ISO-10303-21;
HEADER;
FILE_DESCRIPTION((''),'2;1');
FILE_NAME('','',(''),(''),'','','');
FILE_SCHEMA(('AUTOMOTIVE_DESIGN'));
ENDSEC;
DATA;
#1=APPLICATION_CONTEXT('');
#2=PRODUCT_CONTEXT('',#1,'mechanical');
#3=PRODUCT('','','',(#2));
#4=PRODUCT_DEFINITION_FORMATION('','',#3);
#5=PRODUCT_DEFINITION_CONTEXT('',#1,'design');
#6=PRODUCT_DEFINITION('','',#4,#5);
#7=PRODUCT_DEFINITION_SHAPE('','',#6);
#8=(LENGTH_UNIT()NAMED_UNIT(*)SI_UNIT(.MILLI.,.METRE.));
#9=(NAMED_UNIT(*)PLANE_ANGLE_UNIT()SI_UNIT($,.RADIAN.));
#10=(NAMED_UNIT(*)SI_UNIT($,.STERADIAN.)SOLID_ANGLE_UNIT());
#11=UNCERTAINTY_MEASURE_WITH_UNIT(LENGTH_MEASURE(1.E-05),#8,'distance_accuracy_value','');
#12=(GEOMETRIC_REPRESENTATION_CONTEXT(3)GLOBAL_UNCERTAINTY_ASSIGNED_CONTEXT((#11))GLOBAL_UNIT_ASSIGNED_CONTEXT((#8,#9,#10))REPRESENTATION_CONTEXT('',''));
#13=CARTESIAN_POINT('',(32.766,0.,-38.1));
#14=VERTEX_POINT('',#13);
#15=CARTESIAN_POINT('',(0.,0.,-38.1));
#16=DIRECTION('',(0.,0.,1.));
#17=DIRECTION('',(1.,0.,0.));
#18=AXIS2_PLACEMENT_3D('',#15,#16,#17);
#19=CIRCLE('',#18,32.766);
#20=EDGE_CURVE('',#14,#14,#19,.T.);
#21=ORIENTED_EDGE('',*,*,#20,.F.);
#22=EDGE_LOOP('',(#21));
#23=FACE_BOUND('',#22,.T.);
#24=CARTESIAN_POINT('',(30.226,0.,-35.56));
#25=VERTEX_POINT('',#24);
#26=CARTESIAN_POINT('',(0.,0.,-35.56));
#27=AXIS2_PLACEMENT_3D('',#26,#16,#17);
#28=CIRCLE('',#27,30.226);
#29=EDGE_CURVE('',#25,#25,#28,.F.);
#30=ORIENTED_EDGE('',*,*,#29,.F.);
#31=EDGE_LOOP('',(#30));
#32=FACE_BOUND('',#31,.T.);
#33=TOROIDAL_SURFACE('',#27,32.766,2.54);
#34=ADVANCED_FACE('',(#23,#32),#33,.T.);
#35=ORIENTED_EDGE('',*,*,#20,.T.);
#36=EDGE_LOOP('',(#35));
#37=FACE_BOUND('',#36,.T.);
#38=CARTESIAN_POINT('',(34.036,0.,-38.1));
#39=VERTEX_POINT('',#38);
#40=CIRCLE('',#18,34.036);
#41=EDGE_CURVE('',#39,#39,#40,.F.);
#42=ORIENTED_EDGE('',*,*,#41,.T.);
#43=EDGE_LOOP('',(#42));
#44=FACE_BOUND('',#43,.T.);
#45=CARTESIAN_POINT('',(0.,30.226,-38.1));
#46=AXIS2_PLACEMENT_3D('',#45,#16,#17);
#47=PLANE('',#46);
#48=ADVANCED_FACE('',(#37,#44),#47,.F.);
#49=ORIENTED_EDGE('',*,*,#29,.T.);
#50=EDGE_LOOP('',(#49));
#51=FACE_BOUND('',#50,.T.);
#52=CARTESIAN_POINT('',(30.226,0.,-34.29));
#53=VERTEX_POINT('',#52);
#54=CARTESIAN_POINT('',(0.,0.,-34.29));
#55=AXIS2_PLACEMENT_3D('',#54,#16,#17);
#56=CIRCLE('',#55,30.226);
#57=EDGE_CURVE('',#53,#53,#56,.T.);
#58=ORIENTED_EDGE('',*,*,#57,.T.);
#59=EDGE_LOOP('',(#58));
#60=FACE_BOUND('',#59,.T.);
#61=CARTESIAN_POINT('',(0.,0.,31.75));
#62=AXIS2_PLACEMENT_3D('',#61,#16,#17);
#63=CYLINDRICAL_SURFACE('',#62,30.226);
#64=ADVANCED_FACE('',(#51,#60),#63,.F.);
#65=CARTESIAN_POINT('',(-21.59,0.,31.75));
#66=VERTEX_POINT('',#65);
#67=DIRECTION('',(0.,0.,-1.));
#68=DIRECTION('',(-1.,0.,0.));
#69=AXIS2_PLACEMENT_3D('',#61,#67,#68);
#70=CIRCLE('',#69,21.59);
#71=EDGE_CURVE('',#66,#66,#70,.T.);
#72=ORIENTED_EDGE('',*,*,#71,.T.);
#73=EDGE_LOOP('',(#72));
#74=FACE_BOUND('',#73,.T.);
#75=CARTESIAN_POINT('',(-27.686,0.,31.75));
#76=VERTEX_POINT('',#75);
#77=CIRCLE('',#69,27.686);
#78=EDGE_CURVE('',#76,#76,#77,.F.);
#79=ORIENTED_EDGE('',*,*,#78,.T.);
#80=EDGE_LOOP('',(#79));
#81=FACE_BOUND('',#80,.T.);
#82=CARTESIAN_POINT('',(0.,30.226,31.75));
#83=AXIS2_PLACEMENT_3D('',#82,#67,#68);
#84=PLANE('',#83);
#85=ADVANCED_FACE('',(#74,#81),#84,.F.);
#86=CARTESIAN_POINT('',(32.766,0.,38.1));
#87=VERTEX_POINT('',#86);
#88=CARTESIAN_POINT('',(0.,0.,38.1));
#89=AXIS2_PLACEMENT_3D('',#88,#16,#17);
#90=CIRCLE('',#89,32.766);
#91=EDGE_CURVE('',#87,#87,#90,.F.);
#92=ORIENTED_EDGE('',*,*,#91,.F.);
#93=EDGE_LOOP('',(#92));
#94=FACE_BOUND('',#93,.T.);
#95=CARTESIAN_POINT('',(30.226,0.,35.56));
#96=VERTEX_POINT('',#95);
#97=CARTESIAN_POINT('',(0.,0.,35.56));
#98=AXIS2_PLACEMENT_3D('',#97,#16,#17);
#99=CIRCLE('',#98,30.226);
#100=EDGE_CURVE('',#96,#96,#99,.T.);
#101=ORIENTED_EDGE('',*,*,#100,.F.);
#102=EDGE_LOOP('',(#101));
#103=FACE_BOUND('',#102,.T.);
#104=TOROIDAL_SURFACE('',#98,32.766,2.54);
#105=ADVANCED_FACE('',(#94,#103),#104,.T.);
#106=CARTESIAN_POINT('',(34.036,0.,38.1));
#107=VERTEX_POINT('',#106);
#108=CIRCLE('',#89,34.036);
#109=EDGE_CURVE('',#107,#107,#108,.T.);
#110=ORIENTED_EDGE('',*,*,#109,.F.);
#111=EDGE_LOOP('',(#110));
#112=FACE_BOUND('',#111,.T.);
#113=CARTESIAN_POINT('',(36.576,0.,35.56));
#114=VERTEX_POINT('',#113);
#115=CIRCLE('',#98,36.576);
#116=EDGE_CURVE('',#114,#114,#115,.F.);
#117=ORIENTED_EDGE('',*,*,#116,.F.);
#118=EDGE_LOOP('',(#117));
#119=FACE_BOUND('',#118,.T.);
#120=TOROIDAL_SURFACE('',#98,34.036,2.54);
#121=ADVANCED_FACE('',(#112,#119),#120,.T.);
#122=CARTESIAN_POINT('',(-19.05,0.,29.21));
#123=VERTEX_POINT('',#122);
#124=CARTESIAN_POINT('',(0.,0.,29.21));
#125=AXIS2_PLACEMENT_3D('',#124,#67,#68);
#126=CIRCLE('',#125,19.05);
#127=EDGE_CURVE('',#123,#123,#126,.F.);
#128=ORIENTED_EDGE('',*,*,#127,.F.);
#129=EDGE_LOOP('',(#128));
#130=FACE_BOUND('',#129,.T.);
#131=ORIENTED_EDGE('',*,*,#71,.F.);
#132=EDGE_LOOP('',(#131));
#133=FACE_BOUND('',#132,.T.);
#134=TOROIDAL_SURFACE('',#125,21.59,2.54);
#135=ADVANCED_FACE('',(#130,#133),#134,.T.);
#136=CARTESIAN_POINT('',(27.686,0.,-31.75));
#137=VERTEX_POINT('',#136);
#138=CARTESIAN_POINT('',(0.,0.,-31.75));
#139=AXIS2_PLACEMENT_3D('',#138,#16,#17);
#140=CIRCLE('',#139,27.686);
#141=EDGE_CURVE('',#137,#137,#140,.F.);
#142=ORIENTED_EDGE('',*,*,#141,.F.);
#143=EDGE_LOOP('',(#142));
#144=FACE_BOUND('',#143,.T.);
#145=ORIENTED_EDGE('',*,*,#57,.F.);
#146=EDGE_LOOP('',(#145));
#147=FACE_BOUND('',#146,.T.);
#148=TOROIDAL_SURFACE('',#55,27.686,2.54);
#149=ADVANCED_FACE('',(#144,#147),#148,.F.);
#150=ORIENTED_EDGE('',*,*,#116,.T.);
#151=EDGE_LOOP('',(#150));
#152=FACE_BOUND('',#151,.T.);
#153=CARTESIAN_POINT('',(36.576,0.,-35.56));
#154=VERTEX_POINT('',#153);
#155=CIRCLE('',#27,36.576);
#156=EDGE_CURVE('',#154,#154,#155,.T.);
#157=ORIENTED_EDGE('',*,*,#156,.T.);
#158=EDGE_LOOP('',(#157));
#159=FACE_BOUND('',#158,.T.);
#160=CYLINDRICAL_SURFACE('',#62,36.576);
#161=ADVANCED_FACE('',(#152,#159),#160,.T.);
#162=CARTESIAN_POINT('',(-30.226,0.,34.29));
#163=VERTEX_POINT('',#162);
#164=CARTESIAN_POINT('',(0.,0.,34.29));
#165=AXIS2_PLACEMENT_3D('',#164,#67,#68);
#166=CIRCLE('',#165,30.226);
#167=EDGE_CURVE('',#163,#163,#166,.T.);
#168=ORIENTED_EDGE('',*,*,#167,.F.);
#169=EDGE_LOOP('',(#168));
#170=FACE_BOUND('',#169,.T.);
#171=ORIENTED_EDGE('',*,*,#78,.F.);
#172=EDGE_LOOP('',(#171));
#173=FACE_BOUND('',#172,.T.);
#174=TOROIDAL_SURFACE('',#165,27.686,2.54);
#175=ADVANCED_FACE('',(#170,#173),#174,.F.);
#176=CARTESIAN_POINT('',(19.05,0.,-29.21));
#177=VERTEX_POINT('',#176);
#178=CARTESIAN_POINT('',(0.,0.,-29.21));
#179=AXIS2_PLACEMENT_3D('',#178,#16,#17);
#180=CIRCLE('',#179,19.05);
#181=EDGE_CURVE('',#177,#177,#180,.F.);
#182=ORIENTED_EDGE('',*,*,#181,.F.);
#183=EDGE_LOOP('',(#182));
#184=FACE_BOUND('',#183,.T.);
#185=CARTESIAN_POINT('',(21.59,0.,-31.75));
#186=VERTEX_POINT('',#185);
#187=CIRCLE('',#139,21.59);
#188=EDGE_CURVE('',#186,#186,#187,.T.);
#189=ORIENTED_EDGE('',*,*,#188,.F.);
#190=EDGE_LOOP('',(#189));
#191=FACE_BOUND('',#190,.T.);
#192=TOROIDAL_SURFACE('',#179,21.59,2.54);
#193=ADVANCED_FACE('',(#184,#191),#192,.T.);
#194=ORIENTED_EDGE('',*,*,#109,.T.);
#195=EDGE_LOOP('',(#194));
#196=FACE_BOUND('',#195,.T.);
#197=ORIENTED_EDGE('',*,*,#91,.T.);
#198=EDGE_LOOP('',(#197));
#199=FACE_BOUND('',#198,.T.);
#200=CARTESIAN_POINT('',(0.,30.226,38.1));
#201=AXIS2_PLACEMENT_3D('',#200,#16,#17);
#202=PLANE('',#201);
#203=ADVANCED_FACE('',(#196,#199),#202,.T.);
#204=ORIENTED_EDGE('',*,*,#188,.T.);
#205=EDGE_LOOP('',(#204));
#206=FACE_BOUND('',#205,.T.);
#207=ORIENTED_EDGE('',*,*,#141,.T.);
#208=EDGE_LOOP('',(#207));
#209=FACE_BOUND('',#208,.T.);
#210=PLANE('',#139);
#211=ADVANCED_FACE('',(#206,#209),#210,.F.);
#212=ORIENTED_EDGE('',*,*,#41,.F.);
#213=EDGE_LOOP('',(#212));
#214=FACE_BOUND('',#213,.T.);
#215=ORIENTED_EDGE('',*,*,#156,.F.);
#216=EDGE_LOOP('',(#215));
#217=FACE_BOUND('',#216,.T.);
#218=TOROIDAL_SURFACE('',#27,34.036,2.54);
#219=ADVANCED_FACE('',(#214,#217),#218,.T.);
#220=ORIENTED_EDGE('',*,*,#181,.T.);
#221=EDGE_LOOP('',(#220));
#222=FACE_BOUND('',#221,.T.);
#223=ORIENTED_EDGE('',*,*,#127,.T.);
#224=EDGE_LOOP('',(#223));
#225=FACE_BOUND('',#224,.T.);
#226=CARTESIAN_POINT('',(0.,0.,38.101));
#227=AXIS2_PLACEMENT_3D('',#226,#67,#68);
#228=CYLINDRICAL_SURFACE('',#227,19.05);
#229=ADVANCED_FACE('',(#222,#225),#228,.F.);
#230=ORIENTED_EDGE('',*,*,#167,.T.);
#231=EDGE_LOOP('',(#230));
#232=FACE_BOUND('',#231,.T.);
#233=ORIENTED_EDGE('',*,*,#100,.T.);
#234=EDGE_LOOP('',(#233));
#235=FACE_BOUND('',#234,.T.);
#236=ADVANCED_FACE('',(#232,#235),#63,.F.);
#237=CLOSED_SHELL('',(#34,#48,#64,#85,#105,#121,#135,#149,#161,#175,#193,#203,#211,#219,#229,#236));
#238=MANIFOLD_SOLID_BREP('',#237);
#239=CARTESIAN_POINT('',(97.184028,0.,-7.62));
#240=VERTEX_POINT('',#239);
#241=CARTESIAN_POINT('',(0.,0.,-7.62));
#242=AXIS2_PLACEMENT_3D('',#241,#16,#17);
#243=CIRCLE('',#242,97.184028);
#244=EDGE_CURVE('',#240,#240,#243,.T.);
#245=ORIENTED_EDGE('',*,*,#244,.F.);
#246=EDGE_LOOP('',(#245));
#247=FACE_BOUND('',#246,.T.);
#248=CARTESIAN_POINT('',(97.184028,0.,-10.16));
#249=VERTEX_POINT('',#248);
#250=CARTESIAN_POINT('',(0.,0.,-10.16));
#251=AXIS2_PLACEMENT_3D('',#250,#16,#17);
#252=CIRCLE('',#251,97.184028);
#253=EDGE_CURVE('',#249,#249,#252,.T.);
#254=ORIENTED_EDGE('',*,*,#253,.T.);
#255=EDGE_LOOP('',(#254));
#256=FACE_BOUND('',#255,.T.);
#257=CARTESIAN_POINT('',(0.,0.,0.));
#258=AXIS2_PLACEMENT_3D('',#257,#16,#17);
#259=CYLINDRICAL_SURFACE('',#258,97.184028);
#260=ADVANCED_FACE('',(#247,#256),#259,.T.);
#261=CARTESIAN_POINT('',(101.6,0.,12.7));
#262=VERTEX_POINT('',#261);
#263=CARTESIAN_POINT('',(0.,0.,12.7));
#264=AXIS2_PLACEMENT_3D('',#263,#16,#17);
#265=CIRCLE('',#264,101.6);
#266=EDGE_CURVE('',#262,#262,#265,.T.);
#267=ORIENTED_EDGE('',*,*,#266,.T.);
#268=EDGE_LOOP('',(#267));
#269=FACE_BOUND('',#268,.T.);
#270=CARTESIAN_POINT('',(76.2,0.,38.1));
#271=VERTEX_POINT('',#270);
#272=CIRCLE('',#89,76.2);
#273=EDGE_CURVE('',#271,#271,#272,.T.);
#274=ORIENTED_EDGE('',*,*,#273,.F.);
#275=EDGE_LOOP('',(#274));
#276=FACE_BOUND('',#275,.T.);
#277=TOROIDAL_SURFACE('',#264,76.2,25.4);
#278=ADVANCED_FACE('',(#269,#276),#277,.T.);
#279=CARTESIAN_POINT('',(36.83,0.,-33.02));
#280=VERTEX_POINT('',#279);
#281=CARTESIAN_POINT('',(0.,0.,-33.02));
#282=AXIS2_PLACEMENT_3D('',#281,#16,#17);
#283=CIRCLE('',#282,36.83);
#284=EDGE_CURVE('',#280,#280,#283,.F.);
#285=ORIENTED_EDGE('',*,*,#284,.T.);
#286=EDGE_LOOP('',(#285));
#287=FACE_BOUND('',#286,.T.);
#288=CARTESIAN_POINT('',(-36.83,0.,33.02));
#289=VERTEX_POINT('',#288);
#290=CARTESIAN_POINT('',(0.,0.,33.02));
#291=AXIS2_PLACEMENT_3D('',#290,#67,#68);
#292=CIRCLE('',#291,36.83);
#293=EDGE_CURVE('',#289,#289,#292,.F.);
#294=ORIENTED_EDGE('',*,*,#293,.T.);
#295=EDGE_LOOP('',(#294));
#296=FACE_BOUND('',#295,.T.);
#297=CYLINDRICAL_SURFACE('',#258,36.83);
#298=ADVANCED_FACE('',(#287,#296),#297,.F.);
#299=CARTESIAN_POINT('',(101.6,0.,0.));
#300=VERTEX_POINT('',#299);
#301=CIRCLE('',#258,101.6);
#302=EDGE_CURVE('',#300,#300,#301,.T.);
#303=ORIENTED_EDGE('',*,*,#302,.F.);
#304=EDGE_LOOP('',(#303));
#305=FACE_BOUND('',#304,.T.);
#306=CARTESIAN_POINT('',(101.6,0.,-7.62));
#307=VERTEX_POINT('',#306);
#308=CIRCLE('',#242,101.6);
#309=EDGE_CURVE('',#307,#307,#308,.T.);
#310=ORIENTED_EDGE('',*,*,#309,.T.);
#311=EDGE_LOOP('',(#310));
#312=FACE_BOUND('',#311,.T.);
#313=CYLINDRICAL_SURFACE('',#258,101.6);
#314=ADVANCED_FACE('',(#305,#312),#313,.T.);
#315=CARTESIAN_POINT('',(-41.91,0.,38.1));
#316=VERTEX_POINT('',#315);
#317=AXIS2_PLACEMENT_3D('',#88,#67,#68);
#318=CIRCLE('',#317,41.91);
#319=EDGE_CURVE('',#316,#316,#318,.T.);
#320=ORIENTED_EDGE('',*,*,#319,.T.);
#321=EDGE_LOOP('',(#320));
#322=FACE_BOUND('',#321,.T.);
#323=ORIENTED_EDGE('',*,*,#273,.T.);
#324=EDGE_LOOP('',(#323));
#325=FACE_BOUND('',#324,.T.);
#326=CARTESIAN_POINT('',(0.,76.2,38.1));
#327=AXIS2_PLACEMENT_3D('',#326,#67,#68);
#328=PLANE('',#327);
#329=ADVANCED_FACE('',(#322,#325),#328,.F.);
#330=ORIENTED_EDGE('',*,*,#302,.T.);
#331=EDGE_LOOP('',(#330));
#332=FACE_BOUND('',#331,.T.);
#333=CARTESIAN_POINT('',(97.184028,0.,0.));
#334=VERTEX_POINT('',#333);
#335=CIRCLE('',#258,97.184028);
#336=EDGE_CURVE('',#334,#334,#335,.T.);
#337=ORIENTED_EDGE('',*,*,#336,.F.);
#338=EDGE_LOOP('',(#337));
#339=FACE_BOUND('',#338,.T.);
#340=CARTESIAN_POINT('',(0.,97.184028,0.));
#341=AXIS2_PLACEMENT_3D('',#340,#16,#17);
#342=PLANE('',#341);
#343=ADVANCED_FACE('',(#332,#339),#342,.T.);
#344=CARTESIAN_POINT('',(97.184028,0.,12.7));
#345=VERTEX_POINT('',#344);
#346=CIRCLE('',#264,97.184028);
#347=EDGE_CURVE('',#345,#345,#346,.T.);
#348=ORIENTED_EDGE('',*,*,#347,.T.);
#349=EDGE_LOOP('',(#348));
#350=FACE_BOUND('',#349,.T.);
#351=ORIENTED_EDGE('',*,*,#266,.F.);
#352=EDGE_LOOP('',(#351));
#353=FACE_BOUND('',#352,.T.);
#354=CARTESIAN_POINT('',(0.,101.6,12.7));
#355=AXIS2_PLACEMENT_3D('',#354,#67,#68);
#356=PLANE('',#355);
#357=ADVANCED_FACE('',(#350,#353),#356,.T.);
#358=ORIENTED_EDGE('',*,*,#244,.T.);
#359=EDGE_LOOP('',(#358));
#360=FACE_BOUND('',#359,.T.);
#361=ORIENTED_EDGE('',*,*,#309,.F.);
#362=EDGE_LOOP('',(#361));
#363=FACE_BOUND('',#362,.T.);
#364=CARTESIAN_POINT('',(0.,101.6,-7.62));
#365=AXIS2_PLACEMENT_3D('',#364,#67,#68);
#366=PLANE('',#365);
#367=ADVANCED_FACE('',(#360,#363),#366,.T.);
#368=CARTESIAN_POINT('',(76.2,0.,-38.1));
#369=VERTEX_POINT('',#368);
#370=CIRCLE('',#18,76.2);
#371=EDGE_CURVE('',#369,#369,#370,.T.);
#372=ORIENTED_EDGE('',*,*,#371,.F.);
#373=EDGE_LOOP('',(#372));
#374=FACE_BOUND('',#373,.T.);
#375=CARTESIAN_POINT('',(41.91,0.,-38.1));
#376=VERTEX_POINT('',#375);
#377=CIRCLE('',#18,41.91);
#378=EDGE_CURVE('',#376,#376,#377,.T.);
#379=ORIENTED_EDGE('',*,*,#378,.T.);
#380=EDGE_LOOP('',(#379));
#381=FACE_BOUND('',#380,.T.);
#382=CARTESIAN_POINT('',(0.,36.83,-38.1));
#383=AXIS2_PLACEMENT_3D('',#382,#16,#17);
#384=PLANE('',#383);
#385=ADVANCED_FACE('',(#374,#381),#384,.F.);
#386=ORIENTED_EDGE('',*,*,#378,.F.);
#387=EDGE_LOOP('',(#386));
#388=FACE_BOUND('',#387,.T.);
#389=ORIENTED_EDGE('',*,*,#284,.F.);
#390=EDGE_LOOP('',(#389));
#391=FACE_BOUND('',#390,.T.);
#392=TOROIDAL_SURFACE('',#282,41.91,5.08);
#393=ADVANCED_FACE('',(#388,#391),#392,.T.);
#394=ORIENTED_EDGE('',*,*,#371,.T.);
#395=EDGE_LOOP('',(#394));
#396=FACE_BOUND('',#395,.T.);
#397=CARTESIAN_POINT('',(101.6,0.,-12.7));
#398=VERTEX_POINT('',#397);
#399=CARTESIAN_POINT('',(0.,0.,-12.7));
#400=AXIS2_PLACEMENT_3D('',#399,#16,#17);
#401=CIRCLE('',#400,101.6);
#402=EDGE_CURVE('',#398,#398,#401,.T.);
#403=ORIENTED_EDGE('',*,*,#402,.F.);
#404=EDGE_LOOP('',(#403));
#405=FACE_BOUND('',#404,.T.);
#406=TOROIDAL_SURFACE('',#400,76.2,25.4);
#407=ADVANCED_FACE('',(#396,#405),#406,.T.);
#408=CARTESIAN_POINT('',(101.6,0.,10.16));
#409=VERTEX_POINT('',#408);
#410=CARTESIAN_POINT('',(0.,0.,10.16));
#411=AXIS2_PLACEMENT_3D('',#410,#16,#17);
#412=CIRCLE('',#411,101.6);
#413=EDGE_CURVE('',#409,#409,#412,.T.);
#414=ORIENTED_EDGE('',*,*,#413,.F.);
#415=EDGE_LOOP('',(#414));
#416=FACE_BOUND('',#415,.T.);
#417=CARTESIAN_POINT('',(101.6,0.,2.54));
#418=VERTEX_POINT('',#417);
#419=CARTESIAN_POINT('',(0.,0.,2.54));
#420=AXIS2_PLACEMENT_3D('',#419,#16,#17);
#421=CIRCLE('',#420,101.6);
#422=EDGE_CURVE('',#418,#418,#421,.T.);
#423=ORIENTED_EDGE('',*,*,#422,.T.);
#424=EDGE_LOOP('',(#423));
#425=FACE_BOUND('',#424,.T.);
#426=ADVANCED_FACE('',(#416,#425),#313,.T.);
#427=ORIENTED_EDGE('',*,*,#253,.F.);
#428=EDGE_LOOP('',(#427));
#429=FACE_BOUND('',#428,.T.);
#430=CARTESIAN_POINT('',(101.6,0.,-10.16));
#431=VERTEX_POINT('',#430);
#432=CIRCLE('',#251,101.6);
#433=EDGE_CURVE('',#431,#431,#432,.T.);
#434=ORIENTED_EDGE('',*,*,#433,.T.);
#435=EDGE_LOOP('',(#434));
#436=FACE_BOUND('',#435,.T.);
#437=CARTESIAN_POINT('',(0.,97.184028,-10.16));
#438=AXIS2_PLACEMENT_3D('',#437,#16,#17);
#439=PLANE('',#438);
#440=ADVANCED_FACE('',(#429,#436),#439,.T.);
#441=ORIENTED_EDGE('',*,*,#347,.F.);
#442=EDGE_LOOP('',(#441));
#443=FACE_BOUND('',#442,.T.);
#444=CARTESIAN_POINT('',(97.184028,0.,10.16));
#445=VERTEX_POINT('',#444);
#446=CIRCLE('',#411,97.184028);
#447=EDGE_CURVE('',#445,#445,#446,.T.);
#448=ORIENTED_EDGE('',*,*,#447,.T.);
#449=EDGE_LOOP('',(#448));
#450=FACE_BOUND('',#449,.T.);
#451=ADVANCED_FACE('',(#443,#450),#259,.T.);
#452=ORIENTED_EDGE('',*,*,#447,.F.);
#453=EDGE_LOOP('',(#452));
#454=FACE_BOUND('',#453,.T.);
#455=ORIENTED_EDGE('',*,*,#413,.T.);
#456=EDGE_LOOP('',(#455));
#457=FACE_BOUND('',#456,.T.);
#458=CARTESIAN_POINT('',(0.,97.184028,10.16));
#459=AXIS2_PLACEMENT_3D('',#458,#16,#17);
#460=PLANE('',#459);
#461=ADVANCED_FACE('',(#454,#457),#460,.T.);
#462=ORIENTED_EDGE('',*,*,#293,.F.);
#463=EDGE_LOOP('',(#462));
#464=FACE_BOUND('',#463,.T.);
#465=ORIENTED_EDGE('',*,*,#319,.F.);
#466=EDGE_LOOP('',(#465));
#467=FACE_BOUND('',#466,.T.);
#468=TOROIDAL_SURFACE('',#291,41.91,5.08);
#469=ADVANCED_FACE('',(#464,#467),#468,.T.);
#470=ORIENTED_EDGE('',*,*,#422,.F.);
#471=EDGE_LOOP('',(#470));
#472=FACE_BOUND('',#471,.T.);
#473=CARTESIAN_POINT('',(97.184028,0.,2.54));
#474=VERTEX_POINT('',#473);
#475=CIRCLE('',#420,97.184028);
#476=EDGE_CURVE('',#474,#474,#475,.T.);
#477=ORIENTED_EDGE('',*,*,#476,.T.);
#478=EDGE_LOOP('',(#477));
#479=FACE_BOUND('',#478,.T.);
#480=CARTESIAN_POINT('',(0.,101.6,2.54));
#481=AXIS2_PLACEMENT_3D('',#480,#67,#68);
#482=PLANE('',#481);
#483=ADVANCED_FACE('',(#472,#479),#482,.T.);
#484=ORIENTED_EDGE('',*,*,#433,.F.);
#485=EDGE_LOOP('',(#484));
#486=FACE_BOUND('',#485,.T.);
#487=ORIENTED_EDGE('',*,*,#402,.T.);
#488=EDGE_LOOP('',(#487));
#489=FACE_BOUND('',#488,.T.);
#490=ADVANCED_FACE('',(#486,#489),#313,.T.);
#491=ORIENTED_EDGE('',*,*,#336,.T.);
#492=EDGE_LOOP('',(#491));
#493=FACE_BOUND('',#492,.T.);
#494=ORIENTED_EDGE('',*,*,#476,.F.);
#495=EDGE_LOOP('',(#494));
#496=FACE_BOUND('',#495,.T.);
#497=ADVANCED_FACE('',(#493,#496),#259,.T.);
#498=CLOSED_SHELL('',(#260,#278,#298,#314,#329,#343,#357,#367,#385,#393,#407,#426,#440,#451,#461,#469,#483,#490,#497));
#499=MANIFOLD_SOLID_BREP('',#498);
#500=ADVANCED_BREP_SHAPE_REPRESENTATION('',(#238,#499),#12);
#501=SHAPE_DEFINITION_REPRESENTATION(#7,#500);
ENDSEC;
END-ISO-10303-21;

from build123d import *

# Parameters (mm, degrees)
CUT_EXTRUDE1_DEPTH      = 31.75
CUT_EXTRUDE1_DEPTH_BACK = 31.75
SKETCH3_R               = 19.05
FILLET1_R               = 2.54
FILLET2_R               = 5.08


with BuildPart() as part:
    # Sketch1 → Revolve1 (revolve)
    with BuildSketch(Plane(origin=(0, 0, 0), x_dir=(0, 0, -1), z_dir=(1, 0, 0)), mode=Mode.PRIVATE) as revolve1_sk:
        Polygon((-38.1, 36.576), (38.1, 36.576), (38.1, 30.226), (31.75, 30.226), (31.75, 0), (-31.75, 0), (-31.75, 30.226), (-38.1, 30.226), align=None)
    revolve(revolve1_sk.sketch.rotate(Axis((0, 0, 31.75), (0, 0, -1)), 90), axis=Axis((0, 0, 31.75), (0, 0, -1)))

    # Sketch3 → Cut-Extrude1 (cut, two sides: drawn at the far end of the back side and taken through both)
    with BuildSketch(Plane.XY.offset(-CUT_EXTRUDE1_DEPTH_BACK)):
        with Locations(Location((0, 0, 0), (0, 0, 180))):
            Circle(SKETCH3_R)
    extrude(amount=CUT_EXTRUDE1_DEPTH + CUT_EXTRUDE1_DEPTH_BACK, mode=Mode.SUBTRACT)

    # Fillet1
    fillet1_edges = [part.edges().sort_by_distance(p)[0] for p in [
        (19.05, 0, 31.75),
        (19.05, 0, -31.75),
        (-30.226, 0, 31.75),
        (-30.226, 0, 38.1),
        (-36.576, 0, 38.1),
        (-36.576, 0, -38.1),
        (-30.226, 0, -38.1),
        (-30.226, 0, -31.75),
    ]]
    fillet(fillet1_edges, radius=FILLET1_R)


with BuildPart() as body_2:
    # Sketch2 → Revolve2 (revolve)
    with BuildSketch(Plane(origin=(0, 0, 0), x_dir=(0, 0, -1), z_dir=(1, 0, 0)), mode=Mode.PRIVATE) as revolve2_sk:
        with BuildLine():
            Line((-12.7, 101.6), (-12.7, 97.184028038))
            Line((-12.7, 97.184028038), (-10.16, 97.184028038))
            Line((-10.16, 97.184028038), (-10.16, 101.6))
            Line((-10.16, 101.6), (-2.54, 101.6))
            Line((-2.54, 101.6), (-2.54, 97.184028038))
            Line((-2.54, 97.184028038), (0, 97.184028038))
            Line((0, 97.184028038), (0, 101.6))
            Line((0, 101.6), (7.62, 101.6))
            Line((7.62, 101.6), (7.62, 97.184028038))
            Line((7.62, 97.184028038), (10.16, 97.184028038))
            Line((10.16, 97.184028038), (10.16, 101.6))
            Line((10.16, 101.6), (12.7, 101.6))
            ThreePointArc((12.7, 101.6), (30.660512242, 94.160512242), (38.1, 76.2))
            Line((38.1, 76.2), (38.1, 36.83))
            Line((38.1, 36.83), (-38.1, 36.83))
            Line((-38.1, 36.83), (-38.1, 76.2))
            ThreePointArc((-38.1, 76.2), (-30.660512242, 94.160512242), (-12.7, 101.6))
        make_face()
    revolve(revolve2_sk.sketch.rotate(Axis((0, 0, 0), (0, 0, -1)), 90), axis=Axis((0, 0, 0), (0, 0, -1)))

    # Fillet2
    fillet2_edges = [body_2.edges().sort_by_distance(p)[0] for p in [
        (-36.83, 0, -38.1),
        (-36.83, 0, 38.1),
    ]]
    fillet(fillet2_edges, radius=FILLET2_R)


solid = Compound([part.part, body_2.part])
